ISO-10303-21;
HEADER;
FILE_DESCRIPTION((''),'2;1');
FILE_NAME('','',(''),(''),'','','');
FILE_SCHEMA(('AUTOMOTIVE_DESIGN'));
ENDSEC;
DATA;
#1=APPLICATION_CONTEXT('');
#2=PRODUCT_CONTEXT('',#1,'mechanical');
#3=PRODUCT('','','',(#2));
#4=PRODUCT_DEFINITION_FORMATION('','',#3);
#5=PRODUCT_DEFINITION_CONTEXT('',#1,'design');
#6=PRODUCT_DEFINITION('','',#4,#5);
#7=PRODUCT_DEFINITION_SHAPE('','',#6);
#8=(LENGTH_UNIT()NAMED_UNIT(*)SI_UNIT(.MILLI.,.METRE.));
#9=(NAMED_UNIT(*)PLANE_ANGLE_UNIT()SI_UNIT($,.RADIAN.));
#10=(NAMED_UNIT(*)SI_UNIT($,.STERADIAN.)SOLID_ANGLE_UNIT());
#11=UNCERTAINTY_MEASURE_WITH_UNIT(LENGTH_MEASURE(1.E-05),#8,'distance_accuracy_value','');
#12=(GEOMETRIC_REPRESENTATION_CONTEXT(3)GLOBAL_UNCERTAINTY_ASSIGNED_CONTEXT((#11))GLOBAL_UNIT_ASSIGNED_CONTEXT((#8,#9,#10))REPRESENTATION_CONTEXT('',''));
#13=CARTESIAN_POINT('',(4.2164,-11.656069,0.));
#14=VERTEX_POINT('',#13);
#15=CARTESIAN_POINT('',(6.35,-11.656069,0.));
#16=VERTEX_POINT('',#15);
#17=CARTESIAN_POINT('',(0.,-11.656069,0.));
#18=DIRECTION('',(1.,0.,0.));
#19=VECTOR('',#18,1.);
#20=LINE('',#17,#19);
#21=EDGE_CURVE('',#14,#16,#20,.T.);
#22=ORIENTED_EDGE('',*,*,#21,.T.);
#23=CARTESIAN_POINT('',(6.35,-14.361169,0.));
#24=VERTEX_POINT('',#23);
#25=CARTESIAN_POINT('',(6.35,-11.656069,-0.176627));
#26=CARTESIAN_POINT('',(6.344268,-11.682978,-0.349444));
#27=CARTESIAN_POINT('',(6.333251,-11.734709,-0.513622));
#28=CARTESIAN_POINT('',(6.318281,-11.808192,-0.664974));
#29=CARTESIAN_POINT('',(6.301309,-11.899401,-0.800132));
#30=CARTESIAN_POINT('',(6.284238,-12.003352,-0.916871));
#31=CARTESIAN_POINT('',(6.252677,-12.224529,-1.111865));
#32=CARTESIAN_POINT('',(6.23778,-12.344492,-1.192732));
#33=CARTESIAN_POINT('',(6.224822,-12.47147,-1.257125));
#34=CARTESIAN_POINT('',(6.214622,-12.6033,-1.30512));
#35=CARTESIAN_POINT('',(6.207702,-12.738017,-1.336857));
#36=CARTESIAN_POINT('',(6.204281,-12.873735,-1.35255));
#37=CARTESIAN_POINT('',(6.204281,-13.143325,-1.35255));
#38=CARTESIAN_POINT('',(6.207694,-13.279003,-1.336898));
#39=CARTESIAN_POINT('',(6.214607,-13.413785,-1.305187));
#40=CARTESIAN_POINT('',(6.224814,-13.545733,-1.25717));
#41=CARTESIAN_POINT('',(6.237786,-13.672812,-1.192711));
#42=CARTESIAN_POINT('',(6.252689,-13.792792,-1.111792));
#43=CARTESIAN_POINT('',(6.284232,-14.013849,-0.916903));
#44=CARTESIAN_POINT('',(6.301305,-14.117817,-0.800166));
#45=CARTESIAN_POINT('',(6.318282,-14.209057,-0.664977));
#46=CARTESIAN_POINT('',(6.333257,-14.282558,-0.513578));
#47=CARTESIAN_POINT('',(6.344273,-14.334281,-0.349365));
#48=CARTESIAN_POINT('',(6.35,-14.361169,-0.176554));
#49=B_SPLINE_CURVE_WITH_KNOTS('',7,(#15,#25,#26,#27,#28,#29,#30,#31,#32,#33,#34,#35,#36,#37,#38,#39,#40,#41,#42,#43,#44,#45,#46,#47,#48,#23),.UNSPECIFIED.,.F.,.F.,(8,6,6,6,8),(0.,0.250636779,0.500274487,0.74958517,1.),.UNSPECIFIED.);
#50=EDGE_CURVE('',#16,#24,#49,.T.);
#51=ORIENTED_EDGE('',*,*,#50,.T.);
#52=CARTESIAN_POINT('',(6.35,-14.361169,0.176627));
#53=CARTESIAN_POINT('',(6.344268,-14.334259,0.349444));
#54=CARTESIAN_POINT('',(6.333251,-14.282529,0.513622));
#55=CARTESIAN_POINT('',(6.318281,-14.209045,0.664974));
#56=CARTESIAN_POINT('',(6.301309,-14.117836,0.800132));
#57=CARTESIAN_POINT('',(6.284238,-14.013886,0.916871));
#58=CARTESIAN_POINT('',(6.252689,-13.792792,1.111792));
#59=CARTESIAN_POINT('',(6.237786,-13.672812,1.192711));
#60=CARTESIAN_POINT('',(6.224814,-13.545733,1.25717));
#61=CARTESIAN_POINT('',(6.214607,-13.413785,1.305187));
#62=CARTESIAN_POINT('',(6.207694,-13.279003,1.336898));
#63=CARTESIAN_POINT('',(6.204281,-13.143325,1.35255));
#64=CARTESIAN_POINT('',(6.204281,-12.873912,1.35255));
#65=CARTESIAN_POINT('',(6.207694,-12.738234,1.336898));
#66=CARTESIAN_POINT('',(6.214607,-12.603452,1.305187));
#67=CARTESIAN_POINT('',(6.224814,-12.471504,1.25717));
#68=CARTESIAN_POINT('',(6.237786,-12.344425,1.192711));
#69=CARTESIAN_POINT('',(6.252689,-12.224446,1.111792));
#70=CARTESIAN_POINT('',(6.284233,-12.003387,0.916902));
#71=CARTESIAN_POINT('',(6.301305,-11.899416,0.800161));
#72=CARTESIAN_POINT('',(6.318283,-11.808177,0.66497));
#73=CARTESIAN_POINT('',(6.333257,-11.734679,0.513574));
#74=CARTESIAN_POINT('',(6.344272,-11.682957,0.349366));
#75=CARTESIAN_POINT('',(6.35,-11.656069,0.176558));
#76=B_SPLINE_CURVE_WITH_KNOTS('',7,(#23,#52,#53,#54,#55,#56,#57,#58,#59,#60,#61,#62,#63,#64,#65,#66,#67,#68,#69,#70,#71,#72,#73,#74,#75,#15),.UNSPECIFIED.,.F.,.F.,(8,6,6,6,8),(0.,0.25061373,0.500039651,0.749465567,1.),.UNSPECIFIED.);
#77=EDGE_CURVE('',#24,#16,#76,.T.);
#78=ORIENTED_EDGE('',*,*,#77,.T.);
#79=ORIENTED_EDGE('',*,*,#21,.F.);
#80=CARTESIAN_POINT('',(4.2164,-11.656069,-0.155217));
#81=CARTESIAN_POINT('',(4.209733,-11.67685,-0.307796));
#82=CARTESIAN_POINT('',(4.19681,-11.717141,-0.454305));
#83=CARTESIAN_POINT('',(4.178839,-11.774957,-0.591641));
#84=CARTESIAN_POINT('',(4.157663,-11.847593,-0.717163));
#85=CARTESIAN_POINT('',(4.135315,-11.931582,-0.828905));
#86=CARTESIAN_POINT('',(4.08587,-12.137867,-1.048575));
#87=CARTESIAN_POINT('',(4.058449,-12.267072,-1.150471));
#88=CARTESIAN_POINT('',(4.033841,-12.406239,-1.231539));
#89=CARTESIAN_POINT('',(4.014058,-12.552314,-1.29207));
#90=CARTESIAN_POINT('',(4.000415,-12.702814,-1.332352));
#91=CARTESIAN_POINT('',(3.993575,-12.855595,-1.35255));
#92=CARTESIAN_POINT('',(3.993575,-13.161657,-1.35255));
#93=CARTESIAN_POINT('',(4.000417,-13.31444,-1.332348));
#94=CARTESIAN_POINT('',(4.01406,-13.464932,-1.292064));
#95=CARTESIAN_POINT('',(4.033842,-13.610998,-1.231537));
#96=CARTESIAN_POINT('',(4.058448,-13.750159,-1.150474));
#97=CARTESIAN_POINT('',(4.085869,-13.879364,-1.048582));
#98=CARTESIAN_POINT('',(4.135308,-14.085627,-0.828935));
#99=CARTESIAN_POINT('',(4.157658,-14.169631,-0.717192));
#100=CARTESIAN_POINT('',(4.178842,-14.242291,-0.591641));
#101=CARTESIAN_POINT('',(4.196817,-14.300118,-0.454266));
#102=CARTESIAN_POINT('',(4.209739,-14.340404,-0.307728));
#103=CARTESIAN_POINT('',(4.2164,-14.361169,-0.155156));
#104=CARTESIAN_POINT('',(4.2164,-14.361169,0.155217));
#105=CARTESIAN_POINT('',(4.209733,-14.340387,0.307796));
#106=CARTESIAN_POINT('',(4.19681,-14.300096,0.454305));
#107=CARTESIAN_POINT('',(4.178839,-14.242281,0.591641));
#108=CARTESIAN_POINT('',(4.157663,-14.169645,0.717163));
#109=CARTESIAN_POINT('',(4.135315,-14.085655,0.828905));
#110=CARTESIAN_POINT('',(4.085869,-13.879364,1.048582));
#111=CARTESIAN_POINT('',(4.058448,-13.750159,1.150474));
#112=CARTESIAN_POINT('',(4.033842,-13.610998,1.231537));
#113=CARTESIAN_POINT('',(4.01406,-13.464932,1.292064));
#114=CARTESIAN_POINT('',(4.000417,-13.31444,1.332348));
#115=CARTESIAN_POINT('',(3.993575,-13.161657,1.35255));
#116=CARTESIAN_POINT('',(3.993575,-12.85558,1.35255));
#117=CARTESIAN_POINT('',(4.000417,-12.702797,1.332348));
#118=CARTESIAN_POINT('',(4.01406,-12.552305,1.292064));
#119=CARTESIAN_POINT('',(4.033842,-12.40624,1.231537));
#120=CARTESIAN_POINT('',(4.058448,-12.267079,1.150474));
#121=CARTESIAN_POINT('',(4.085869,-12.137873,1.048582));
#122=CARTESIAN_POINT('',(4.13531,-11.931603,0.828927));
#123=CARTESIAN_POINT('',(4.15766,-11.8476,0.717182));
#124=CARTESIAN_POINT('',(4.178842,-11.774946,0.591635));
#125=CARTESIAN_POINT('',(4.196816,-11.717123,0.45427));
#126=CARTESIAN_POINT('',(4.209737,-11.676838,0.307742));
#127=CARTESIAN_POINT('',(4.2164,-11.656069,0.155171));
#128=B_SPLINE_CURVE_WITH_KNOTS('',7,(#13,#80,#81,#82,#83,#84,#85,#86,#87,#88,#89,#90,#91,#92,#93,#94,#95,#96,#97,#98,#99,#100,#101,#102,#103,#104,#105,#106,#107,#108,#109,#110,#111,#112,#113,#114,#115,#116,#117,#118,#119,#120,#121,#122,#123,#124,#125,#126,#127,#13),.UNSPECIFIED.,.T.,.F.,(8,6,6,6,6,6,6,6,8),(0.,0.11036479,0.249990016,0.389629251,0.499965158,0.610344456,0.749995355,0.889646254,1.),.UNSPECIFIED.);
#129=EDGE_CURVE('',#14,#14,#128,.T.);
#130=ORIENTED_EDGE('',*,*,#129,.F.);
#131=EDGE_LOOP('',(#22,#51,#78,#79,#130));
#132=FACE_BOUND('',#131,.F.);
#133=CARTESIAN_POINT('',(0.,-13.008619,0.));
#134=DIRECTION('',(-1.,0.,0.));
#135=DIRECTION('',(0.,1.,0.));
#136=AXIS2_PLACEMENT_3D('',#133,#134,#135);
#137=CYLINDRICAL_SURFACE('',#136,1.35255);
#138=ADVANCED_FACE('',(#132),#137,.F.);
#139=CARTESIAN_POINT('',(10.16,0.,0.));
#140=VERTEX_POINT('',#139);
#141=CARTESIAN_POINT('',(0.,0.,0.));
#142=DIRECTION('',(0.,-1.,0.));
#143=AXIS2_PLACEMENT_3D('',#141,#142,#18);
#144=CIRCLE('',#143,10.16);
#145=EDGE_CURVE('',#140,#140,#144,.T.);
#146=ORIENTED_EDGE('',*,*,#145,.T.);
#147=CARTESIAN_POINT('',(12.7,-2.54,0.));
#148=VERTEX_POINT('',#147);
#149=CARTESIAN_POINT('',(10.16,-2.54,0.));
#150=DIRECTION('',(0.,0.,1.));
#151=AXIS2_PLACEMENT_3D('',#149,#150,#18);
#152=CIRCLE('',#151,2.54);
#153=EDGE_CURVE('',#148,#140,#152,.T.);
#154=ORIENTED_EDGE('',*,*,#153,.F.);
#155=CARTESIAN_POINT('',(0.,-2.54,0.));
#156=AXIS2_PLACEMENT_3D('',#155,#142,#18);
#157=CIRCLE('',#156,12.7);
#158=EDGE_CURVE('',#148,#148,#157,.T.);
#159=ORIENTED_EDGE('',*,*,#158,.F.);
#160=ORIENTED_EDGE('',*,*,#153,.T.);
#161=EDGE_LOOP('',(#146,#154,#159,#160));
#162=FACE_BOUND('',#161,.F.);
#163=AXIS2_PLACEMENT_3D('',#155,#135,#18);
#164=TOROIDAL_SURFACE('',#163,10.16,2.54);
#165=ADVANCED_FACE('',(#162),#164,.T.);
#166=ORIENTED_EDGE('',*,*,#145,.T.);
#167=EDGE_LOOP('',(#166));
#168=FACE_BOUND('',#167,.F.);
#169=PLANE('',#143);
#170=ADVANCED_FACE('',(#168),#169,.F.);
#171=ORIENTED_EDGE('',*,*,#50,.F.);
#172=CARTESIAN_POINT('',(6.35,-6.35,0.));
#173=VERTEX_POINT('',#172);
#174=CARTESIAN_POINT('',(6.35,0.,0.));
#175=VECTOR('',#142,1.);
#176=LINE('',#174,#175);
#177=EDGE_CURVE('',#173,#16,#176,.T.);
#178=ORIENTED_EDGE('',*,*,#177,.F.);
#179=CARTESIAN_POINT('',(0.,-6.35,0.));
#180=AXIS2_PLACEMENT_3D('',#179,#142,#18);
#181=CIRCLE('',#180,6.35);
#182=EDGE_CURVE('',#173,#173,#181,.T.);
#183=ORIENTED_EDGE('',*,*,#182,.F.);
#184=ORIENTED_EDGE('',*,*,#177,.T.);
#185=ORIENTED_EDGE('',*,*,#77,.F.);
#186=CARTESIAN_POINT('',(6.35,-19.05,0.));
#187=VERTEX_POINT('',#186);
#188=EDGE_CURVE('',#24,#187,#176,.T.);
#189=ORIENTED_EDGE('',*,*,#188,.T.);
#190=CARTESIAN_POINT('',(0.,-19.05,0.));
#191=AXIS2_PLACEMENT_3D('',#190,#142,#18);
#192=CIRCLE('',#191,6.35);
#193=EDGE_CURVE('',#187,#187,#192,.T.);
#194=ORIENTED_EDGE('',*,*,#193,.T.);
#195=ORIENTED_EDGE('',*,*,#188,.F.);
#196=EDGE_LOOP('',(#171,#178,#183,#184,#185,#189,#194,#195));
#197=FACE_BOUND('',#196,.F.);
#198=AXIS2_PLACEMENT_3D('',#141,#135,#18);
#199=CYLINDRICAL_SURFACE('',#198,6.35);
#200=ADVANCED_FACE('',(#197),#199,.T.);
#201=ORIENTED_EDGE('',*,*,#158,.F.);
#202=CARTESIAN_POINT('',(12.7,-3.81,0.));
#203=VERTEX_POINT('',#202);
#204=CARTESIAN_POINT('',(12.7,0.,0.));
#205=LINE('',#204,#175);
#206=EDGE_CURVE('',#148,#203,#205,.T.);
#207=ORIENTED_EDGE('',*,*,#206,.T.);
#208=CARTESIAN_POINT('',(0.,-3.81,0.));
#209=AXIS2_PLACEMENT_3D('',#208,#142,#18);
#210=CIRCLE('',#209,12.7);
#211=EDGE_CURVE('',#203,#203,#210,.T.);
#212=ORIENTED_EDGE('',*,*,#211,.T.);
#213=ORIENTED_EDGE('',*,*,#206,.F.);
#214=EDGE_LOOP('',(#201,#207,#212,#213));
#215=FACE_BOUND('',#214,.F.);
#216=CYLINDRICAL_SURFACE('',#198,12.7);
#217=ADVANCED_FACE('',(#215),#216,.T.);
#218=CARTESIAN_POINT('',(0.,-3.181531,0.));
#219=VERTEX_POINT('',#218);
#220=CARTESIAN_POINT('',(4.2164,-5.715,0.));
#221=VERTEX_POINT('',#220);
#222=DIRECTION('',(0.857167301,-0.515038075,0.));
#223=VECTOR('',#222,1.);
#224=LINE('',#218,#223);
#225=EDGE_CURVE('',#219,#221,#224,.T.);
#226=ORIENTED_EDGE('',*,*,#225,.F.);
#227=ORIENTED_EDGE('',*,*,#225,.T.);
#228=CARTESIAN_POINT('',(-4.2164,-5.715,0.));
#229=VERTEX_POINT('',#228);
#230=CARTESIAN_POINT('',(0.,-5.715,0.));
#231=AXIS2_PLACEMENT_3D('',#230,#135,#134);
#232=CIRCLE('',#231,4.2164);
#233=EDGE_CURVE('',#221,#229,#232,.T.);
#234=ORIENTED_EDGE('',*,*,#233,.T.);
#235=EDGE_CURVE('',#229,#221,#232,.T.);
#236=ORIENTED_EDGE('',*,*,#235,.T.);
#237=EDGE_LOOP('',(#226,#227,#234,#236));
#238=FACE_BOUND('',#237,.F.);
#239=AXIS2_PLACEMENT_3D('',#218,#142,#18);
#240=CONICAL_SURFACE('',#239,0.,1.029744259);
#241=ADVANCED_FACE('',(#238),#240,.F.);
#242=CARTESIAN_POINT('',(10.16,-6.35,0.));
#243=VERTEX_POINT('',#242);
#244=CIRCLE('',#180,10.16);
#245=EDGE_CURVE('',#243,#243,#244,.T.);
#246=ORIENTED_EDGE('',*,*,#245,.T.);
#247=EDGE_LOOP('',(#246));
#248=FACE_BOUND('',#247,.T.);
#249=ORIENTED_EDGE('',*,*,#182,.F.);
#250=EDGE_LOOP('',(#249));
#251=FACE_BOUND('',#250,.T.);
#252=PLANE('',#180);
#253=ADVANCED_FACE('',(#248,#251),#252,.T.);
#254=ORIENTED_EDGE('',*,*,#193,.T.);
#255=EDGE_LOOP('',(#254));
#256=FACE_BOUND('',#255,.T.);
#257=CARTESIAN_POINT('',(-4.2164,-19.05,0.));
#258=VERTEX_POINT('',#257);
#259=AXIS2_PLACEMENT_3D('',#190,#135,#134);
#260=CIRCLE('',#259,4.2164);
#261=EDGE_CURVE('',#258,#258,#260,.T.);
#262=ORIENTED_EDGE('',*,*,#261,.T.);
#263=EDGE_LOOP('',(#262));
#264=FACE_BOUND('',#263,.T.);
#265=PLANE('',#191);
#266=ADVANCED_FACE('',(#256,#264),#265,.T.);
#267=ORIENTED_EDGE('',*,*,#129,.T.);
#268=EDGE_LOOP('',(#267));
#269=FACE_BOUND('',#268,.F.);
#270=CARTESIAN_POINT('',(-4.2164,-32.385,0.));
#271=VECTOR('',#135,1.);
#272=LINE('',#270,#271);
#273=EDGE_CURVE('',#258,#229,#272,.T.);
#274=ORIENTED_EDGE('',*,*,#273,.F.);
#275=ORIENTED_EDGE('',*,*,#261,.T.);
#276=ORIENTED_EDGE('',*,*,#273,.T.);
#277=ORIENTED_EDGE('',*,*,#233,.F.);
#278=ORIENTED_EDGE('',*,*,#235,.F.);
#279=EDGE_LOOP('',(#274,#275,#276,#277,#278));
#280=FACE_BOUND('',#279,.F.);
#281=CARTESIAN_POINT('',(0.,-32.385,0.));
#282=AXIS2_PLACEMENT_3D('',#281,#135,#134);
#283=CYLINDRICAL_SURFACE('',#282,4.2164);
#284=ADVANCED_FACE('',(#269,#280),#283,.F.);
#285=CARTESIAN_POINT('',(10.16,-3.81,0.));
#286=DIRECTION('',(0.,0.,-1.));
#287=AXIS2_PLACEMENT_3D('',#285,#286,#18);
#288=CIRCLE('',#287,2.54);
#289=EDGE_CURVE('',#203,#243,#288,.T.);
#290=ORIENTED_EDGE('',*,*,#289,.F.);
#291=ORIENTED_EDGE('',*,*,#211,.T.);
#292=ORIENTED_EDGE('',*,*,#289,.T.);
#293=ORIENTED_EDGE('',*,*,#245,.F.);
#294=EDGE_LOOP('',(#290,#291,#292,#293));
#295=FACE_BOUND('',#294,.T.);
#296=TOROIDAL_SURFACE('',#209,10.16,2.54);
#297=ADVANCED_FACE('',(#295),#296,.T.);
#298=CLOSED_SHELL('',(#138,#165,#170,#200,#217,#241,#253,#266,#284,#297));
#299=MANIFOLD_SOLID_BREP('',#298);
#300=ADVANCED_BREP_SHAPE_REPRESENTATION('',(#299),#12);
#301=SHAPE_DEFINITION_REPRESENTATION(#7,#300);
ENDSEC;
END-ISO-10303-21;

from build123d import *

# Parameters (mm, degrees)
F0_R     = 6.35
F1_DEPTH = 19.05
F0_R_2   = 12.7
F2_DEPTH = 6.35
F4_D     = 8.4328
F4_DEPTH = 13.335
F4_TIP   = 2.5334687141
F6_R     = 2.54
F7_D     = 2.7051
F7_DEPTH = 7.62
F7_TIP   = 0.8126940303


with BuildPart() as f1:
    # F0 (on Front) → F1 (new body)
    with BuildSketch(Plane.XZ):
        Circle(F0_R)
    extrude(amount=F1_DEPTH)

    # F0 (on Front) → F2 (join)
    with BuildSketch(Plane.XZ):
        Circle(F0_R_2)
        Circle(F0_R, mode=Mode.SUBTRACT)
    extrude(amount=F2_DEPTH)

    # F4
    with Locations(Plane.XZ.offset(19.05)):
        with Locations((0, 0)):
            Hole(F4_D / 2, depth=F4_DEPTH)
            with Locations((0, 0, -(F4_DEPTH + F4_TIP / 2))):  # 118° drill point
                Cone(0, F4_D / 2, F4_TIP, mode=Mode.SUBTRACT)

    # F6
    f6_edges = [f1.edges().sort_by_distance(p)[0] for p in [
        (-12.7, -6.35, 0),
        (-12.7, 0, 0),
    ]]
    fillet(f6_edges, radius=F6_R)

    # F7 (one way)
    with BuildSketch(Plane(origin=(0, 0, 0), x_dir=(0, 1, 0), z_dir=(-1, 0, 0))):
        with Locations((-13.0086187273, 0)):
            Circle(F7_D / 2)
    extrude(amount=-F7_DEPTH, mode=Mode.SUBTRACT)
    with Locations(Plane(origin=(0, 0, 0), x_dir=(0, 1, 0), z_dir=(-1, 0, 0))):
        with Locations((-13.0086187273, 0)):
            with Locations((0, 0, -(F7_DEPTH + F7_TIP / 2))):  # 118° drill point
                Cone(0, F7_D / 2, F7_TIP, mode=Mode.SUBTRACT)


solid = f1.part
